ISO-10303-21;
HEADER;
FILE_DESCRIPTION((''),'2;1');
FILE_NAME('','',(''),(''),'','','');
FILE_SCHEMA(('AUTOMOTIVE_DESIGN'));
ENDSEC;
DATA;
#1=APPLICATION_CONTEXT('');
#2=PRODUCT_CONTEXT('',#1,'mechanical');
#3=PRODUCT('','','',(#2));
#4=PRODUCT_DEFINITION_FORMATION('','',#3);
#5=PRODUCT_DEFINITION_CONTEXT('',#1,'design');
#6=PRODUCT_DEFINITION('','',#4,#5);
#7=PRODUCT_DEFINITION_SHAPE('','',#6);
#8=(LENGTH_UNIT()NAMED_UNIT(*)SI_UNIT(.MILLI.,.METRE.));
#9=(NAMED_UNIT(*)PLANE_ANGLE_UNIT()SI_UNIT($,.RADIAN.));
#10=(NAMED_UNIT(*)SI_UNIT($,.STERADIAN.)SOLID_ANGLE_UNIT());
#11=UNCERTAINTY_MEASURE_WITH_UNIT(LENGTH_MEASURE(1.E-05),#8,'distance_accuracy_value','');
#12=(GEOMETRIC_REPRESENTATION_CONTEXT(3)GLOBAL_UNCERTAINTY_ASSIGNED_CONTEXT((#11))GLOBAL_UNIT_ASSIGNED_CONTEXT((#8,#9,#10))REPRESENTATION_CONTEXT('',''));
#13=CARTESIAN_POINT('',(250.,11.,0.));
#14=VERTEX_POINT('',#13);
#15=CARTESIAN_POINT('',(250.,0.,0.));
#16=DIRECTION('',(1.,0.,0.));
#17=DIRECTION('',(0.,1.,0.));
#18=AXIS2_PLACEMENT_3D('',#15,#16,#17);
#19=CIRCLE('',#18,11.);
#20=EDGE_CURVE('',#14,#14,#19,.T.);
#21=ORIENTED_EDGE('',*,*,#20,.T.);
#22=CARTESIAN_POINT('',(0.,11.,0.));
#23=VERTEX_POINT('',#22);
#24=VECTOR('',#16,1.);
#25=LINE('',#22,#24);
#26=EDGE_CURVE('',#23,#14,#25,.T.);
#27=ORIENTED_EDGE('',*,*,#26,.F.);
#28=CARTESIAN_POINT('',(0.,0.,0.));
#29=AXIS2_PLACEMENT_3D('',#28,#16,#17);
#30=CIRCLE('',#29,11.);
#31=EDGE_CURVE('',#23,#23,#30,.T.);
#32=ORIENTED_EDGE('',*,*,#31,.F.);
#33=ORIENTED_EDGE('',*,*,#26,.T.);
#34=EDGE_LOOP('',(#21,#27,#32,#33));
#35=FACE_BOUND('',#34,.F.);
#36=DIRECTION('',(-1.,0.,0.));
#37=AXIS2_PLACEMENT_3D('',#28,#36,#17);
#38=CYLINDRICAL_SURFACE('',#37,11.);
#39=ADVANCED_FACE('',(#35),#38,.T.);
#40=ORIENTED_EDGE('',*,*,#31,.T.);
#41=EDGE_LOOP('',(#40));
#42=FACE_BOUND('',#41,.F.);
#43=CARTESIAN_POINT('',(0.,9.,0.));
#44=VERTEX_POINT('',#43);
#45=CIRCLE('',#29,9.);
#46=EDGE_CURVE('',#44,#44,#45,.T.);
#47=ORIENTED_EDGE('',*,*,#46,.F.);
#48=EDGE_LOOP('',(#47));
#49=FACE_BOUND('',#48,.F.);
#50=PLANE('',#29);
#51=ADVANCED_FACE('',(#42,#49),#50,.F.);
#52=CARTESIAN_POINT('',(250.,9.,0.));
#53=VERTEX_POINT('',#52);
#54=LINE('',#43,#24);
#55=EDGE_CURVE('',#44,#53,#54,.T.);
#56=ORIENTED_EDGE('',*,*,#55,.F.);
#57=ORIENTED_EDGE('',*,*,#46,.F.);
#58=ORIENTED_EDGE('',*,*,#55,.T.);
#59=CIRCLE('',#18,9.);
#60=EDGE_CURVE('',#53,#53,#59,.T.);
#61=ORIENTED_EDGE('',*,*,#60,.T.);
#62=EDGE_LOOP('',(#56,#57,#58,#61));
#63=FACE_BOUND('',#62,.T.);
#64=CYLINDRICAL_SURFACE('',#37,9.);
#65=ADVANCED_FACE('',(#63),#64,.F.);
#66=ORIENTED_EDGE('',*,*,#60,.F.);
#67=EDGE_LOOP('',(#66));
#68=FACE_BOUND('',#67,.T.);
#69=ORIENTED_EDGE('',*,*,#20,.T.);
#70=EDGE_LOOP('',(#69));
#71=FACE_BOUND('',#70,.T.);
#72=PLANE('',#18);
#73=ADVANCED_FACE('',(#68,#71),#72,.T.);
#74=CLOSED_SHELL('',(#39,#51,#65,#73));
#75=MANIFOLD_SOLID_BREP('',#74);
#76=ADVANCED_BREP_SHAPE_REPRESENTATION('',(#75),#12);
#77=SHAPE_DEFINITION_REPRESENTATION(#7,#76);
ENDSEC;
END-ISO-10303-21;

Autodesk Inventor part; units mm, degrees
ref_plane "YZ Plane" through (0, 0, 0) normal (1, 0, 0) x (0, 1, 0)
ref_plane "XZ Plane" through (0, 0, 0) normal (0, 1, 0) x (-1, 0, 0)
ref_plane "XY Plane" through (0, 0, 0) normal (0, 0, 1) x (1, 0, 0)
sketch "Skizze1" plane through (0, 0, 0) normal (1, 0, 0) x (0, 1, 0)
  circle A0 centre (0, 0) radius 11
  circle A1 centre (0, 0) radius 9
  dimension "d0" = 22
  dimension "d1" = 2
extrude "Extrusion1" add sketch "Skizze1" along normal blind 250
properties part number "P_Carbon_Pipe_Back"
